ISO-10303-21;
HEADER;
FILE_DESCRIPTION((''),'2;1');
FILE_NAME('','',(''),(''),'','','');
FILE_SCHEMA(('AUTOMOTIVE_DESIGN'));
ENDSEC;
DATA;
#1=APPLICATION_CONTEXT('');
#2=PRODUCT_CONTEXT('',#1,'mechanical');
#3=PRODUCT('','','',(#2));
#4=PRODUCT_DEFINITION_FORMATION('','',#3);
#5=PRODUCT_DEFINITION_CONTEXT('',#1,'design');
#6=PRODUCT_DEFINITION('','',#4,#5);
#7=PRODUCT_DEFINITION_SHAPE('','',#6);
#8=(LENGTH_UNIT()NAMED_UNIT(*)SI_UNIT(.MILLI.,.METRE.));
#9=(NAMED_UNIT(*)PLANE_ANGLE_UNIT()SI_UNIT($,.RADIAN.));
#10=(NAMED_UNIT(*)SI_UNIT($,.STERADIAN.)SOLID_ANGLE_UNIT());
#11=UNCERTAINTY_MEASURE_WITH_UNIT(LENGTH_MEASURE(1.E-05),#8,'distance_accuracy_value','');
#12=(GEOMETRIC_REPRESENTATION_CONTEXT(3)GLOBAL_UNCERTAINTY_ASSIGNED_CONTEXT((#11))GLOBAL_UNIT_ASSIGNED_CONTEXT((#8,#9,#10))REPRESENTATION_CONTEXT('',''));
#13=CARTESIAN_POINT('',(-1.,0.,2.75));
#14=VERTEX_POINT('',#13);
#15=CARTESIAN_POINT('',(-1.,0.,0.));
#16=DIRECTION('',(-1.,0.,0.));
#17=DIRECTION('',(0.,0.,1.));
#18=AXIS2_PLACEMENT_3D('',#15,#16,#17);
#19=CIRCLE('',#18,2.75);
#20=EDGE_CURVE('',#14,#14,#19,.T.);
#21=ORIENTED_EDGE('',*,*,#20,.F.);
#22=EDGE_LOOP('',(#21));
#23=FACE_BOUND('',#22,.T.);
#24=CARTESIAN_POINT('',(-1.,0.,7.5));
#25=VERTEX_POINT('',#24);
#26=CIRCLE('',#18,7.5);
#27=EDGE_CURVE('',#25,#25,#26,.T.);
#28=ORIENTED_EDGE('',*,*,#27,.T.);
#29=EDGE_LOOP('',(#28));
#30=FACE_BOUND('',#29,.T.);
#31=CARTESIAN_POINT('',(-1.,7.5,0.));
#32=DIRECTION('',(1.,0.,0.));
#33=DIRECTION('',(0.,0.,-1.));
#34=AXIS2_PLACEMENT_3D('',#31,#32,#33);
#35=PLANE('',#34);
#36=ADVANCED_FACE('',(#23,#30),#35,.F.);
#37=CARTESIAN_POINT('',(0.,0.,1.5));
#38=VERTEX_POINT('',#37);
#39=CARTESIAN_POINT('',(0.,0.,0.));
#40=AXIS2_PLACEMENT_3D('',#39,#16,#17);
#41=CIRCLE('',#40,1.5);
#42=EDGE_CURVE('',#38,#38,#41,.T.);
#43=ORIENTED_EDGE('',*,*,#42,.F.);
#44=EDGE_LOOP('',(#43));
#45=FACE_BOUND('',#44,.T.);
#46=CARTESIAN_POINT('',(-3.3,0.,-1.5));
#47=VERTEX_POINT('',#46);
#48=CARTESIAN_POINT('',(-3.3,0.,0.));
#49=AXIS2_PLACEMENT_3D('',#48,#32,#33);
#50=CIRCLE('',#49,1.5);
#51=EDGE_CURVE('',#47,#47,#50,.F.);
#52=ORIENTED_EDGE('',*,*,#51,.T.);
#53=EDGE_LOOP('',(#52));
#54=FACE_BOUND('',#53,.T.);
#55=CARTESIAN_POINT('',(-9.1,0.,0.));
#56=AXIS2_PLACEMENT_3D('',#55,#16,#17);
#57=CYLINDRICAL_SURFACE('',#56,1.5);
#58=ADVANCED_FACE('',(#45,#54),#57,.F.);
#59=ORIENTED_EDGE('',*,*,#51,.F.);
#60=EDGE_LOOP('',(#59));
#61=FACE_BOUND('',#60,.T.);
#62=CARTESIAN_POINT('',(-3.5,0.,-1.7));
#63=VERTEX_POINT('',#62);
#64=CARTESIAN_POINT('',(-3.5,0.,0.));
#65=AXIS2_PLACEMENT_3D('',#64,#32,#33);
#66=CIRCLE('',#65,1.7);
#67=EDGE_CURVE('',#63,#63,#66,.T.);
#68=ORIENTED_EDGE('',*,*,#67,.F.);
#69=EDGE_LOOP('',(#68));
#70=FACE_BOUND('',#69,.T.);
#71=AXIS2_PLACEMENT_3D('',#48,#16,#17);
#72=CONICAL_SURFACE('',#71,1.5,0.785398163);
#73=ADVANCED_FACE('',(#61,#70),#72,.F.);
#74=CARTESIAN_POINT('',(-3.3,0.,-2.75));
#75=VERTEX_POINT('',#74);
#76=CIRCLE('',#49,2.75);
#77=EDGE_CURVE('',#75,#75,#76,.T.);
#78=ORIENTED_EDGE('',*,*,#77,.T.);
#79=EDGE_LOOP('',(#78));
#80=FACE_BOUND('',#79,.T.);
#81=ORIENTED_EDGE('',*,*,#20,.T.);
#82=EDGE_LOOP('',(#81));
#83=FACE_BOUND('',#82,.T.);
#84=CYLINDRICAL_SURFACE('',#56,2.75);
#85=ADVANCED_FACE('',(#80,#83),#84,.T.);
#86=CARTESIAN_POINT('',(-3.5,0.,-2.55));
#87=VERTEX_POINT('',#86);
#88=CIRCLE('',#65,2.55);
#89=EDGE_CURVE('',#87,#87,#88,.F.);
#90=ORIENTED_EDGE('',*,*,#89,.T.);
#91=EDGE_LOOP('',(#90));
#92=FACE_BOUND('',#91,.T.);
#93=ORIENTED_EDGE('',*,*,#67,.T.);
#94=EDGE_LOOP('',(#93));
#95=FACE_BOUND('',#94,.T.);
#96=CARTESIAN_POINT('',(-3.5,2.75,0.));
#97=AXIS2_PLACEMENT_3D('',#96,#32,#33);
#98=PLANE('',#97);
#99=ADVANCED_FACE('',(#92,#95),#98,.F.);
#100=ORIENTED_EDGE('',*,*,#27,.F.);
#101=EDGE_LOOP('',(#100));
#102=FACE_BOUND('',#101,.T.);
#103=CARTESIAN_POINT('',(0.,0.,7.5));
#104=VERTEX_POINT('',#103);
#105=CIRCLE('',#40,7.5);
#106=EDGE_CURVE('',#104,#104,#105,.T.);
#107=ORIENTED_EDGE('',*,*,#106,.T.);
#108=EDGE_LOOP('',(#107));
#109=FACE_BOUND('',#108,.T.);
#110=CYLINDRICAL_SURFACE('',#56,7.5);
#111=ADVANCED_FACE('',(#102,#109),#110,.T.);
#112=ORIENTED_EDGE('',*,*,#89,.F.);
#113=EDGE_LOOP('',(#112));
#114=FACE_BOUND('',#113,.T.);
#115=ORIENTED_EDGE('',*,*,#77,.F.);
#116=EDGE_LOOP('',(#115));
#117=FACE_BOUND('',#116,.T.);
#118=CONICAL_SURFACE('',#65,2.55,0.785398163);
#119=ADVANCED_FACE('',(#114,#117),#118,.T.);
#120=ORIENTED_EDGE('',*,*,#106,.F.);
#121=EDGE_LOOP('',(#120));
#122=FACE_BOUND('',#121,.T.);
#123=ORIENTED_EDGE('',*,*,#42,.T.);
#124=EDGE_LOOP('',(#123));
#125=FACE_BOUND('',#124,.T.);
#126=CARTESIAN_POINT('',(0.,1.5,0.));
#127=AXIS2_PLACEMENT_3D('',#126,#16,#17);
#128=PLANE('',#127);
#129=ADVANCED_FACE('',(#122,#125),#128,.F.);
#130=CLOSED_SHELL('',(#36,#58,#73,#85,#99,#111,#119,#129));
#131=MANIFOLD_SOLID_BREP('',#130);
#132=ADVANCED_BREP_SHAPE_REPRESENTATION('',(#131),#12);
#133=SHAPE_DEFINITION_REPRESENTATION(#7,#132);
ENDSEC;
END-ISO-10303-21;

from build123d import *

# Parameters (mm, degrees)
CHAMFER_1_SIZE = 0.2


with BuildPart() as part:
    # 草图1 → 旋转1 (revolve)
    with BuildSketch(Plane.XY, mode=Mode.PRIVATE) as revolve_1_sk:
        Polygon((0, 1.5), (0, 7.5), (-1, 7.5), (-1, 2.75), (-3.5, 2.75), (-3.5, 1.5), align=None)
    revolve(revolve_1_sk.sketch.rotate(Axis((-9.1, 0, 0), (1, 0, 0)), 90), axis=Axis((-9.1, 0, 0), (1, 0, 0)))

    # 倒角1
    chamfer_1_edges = [part.edges().sort_by_distance(p)[0] for p in [
        (-3.5, 0, -1.5),
        (-3.5, 0, -2.75),
    ]]
    chamfer(chamfer_1_edges, length=CHAMFER_1_SIZE)


solid = part.part
